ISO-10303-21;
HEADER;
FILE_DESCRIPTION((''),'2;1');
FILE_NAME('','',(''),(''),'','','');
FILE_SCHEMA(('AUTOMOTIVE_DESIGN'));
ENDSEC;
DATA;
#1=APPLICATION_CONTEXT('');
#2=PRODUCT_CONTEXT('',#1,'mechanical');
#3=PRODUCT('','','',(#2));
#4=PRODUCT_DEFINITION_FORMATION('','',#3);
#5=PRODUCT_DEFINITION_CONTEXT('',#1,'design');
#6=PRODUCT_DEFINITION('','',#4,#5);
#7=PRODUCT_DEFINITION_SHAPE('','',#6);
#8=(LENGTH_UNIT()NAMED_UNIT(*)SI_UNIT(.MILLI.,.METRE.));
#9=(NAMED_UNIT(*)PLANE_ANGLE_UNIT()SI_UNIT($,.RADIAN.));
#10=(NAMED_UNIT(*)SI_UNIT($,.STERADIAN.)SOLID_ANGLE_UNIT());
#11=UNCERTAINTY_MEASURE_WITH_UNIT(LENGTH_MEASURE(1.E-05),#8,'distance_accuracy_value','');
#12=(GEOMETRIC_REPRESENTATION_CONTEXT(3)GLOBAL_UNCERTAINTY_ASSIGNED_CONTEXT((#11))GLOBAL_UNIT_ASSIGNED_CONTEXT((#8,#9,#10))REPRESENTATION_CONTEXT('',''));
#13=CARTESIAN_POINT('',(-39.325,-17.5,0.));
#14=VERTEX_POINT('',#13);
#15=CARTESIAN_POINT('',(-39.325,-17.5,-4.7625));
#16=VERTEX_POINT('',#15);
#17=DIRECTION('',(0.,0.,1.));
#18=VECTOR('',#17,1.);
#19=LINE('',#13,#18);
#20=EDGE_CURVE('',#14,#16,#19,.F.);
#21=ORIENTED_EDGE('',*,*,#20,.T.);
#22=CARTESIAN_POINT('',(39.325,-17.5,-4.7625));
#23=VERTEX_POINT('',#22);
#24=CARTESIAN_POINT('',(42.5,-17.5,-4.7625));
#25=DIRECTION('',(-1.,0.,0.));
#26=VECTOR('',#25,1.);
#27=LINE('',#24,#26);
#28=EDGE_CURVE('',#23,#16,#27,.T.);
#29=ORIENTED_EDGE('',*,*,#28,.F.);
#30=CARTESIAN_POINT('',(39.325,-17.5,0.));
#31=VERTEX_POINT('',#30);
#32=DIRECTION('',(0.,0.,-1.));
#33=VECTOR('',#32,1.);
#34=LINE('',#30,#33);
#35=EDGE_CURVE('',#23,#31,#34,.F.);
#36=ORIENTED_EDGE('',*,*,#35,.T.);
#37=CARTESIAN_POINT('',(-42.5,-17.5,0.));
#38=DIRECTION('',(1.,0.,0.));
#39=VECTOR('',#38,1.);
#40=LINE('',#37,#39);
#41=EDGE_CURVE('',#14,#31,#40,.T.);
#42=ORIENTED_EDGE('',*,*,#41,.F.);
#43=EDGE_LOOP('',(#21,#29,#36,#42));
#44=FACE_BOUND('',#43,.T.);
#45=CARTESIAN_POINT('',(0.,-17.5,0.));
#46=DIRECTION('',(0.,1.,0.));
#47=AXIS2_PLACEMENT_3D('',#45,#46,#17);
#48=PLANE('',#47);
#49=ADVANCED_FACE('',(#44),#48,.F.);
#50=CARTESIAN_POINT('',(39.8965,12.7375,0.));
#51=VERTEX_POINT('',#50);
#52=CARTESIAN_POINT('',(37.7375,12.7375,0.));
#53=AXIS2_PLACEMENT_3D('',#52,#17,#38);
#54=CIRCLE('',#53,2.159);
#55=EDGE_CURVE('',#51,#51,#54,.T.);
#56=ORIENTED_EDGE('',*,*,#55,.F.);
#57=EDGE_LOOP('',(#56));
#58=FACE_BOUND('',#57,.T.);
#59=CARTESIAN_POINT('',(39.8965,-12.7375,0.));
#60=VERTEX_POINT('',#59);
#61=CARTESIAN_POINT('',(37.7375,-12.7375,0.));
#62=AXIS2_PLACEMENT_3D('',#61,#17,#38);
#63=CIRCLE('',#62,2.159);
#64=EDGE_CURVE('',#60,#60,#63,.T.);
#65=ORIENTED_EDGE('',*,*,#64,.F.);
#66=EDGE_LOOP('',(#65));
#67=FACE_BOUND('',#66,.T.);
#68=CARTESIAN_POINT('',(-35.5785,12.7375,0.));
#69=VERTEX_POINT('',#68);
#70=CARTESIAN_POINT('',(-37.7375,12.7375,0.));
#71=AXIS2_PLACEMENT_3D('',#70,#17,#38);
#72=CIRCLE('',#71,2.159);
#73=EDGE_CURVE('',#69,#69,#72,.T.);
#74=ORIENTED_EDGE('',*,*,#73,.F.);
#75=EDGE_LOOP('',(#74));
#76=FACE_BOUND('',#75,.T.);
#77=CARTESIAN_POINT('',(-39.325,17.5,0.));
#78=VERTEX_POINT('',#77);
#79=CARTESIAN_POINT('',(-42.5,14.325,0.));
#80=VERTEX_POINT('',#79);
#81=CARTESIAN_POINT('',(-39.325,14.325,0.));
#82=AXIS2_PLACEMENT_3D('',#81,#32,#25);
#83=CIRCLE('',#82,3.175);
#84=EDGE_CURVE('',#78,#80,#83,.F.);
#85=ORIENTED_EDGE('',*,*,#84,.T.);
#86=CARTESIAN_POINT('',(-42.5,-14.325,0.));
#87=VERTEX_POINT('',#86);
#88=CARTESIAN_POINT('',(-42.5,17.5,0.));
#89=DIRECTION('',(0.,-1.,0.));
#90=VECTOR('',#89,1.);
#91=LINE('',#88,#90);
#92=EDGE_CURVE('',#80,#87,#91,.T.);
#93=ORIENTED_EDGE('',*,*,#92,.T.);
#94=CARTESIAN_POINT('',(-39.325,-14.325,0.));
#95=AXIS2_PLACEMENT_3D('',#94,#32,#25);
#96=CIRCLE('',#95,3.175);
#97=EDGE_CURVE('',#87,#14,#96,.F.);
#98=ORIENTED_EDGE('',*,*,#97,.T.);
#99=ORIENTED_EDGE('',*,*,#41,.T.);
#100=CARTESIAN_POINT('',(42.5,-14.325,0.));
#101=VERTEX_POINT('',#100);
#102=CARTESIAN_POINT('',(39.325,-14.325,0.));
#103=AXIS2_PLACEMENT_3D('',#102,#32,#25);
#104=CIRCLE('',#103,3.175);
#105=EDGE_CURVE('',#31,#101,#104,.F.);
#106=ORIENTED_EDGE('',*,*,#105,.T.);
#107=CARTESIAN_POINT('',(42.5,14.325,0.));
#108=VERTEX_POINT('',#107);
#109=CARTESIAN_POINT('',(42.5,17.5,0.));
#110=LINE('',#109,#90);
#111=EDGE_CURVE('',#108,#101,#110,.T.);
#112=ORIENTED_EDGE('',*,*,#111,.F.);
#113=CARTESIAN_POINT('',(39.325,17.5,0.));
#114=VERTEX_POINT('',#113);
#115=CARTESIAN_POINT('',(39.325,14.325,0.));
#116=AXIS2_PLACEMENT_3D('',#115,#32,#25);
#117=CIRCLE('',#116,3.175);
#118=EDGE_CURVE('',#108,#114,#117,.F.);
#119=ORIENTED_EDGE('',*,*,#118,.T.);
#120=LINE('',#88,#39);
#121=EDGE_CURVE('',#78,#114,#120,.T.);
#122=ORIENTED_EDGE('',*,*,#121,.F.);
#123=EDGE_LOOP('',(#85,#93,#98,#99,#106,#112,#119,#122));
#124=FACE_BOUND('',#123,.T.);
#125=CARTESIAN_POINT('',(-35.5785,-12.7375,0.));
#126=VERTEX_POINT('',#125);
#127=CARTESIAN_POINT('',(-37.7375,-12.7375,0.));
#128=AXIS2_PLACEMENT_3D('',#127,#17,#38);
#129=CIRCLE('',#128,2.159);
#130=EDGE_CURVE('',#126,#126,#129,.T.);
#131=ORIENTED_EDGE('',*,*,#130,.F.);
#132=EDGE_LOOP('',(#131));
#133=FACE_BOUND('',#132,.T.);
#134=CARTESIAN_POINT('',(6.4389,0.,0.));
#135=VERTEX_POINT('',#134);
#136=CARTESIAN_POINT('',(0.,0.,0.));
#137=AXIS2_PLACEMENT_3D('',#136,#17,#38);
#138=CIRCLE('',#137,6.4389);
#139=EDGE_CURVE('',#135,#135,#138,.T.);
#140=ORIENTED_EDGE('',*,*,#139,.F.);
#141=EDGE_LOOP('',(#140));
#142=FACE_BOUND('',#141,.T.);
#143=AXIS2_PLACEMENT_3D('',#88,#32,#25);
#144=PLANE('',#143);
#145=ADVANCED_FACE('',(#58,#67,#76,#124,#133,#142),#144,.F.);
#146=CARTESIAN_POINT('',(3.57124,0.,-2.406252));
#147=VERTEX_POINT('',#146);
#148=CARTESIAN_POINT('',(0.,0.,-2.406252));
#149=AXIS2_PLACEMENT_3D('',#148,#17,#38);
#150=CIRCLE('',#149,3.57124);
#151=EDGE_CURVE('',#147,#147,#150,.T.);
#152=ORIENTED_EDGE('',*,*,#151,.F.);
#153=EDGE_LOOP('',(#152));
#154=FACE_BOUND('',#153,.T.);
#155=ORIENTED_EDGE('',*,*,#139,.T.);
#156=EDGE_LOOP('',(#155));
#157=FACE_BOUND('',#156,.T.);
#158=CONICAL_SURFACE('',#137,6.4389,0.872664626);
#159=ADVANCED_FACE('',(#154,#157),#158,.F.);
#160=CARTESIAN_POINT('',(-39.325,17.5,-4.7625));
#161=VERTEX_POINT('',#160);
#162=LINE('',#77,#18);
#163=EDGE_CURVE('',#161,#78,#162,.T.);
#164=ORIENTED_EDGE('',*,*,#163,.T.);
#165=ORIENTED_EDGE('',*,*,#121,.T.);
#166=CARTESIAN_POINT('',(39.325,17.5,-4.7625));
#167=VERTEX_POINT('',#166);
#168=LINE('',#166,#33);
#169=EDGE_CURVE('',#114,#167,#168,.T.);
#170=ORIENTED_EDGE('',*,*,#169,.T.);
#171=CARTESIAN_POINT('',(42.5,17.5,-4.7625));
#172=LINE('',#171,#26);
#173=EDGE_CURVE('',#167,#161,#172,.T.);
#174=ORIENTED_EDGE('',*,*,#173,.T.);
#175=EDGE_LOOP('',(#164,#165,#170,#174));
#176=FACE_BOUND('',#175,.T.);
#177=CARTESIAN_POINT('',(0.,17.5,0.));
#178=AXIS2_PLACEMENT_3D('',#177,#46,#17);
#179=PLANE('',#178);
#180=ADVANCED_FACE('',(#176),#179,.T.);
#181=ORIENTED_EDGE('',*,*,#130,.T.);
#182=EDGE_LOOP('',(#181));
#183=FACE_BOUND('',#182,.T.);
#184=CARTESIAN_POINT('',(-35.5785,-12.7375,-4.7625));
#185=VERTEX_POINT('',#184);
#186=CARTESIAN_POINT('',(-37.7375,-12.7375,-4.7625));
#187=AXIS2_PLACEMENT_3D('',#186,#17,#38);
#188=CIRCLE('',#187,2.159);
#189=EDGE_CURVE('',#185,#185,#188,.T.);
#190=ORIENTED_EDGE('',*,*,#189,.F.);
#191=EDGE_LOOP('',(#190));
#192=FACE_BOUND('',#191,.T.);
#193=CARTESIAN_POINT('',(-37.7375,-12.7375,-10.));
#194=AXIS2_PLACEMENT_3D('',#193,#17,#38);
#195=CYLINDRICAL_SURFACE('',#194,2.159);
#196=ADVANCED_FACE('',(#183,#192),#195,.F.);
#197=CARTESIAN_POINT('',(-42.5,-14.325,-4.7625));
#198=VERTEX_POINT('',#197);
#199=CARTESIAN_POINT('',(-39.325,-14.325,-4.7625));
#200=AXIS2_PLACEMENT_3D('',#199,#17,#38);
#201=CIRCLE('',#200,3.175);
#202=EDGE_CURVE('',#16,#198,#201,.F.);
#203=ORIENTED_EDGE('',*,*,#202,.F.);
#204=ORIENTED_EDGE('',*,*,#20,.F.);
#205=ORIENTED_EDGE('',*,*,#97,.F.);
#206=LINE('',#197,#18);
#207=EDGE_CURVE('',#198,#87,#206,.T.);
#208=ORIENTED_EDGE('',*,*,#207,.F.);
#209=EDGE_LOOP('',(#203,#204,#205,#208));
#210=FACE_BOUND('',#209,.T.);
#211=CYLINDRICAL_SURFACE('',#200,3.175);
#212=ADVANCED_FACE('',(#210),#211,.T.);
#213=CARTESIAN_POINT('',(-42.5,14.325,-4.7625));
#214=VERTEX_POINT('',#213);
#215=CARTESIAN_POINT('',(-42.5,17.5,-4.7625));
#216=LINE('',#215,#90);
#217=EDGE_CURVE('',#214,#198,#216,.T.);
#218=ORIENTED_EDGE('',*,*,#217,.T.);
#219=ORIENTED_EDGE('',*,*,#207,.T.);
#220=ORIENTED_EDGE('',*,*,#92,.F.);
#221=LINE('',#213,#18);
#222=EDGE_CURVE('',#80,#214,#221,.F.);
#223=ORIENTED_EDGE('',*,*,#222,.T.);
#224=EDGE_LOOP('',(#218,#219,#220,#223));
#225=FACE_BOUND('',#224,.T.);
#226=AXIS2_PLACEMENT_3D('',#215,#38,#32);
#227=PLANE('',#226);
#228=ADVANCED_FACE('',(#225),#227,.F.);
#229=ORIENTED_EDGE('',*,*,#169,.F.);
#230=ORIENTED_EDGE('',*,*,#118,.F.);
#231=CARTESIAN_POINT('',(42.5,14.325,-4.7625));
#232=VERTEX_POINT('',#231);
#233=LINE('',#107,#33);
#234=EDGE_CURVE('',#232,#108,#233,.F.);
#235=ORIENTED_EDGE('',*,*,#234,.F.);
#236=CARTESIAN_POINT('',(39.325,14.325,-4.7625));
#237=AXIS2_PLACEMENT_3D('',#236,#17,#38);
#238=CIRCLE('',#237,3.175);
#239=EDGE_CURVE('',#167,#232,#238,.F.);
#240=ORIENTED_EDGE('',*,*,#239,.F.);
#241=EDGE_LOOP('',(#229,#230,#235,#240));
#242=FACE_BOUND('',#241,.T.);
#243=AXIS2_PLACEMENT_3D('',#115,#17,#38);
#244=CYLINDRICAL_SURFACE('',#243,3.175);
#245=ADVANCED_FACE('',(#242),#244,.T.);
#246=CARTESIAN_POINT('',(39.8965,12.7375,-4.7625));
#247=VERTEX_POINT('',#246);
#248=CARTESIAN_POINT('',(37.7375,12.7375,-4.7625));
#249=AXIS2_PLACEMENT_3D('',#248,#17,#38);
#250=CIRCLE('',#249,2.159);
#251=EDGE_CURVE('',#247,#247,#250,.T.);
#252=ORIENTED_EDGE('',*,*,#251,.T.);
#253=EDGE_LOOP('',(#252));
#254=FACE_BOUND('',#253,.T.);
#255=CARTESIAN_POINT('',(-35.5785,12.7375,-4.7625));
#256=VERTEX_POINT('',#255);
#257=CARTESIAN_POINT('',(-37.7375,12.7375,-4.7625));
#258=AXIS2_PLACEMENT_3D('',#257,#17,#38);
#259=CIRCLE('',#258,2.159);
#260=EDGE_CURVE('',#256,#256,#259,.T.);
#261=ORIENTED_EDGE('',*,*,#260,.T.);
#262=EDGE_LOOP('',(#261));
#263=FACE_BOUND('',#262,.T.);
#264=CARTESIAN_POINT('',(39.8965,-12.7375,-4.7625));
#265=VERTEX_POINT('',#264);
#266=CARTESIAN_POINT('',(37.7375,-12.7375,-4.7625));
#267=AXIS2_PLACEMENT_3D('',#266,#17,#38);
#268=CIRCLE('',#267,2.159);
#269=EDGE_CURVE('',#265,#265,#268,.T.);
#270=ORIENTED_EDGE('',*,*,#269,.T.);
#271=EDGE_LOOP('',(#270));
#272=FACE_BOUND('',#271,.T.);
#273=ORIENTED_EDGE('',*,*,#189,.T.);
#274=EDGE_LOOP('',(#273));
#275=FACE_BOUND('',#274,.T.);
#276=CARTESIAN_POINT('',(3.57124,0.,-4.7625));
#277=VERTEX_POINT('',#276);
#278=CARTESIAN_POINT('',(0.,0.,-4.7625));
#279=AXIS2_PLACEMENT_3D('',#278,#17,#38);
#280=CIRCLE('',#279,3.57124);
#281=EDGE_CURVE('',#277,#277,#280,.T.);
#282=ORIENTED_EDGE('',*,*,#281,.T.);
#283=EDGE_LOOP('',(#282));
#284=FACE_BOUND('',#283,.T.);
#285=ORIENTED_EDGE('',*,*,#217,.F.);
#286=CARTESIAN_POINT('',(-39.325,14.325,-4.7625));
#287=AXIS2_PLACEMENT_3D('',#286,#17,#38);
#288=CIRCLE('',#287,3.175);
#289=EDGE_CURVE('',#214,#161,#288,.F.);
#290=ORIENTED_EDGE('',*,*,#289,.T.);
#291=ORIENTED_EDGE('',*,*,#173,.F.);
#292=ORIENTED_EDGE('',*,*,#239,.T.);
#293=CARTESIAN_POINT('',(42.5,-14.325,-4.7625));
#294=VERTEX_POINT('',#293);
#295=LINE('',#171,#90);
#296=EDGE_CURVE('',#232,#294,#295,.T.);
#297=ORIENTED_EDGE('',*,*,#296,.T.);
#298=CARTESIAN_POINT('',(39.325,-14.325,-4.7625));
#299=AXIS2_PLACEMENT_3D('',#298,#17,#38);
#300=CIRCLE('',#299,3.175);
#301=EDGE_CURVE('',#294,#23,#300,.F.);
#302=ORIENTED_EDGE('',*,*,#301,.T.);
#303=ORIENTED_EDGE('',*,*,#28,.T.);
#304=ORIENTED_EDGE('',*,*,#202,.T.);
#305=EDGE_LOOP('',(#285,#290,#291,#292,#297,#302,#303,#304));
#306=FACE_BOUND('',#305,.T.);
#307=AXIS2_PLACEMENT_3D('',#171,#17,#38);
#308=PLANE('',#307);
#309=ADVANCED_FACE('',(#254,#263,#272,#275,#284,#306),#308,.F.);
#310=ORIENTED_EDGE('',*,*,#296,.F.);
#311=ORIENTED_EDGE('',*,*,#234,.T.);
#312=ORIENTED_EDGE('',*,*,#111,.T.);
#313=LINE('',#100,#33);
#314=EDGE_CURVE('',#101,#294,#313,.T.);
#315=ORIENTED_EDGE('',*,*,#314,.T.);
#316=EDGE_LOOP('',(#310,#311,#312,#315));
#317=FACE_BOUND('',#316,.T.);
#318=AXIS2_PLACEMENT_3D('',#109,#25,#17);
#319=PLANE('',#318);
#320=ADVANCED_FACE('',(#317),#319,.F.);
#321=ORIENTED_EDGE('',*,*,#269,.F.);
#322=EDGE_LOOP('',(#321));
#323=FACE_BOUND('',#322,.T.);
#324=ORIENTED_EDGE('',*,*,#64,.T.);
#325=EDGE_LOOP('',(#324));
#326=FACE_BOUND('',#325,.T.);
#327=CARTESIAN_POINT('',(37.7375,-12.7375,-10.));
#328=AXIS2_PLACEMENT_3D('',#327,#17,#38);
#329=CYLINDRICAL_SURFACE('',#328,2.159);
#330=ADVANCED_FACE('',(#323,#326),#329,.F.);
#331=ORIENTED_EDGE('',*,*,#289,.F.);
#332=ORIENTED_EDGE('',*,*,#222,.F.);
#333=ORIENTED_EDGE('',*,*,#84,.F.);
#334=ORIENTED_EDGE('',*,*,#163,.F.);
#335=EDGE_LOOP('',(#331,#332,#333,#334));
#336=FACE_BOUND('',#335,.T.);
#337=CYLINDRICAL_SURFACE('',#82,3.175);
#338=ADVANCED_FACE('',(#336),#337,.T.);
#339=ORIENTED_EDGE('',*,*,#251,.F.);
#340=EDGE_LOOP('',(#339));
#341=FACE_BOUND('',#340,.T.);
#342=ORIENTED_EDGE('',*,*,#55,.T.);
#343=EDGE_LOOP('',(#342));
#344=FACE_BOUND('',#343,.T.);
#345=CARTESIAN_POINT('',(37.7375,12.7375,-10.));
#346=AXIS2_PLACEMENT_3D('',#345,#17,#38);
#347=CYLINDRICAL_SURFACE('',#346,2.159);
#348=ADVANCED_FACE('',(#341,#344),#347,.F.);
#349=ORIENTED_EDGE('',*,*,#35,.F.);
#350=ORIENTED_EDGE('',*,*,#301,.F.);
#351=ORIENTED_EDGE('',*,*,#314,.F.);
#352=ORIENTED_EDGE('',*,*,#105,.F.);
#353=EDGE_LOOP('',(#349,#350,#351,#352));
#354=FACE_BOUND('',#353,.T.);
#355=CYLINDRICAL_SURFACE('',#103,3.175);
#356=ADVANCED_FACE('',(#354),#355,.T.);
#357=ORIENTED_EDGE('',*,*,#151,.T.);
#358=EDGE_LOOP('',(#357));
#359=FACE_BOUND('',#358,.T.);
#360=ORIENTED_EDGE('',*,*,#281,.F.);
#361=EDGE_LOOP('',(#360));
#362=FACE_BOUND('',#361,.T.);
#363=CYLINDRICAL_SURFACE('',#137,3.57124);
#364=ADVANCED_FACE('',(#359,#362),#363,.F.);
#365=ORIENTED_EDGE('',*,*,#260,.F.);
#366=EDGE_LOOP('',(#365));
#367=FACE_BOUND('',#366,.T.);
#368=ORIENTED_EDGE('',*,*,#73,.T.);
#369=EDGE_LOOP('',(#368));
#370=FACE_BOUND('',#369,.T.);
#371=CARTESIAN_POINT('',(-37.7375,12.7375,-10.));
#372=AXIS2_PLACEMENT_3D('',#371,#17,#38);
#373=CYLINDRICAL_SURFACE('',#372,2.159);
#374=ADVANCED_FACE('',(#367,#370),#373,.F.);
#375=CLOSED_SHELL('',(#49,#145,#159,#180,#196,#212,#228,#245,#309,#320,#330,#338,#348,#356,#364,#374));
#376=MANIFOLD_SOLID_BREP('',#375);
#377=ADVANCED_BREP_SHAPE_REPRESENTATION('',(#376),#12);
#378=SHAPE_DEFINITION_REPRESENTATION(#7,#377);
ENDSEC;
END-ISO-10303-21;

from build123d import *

# Parameters (mm, degrees)
SKETCH1_W           = 85
SKETCH1_H           = 4.7625
BOSS_EXTRUDE1_DEPTH = 17.5
FILLET1_R           = 3.175
SKETCH3_R           = 2.159
CUT_EXTRUDE3_DEPTH  = 10


with BuildPart() as part:
    # Sketch1 → Boss-Extrude1 (new, symmetric)
    with BuildSketch(Plane(origin=(0, 0, 0), x_dir=(1, 0, 0), z_dir=(0, 1, 0))):
        with Locations((0, 2.38125)):
            Rectangle(SKETCH1_W, SKETCH1_H)
    extrude(amount=BOSS_EXTRUDE1_DEPTH, both=True)

    # Fillet1
    fillet1_edges = [part.edges().sort_by_distance(p)[0] for p in [
        (42.5, 17.5, -2.38125),
        (42.5, -17.5, -2.38125),
        (-42.5, -17.5, -2.38125),
        (-42.5, 17.5, -2.38125),
    ]]
    fillet(fillet1_edges, radius=FILLET1_R)

    # Sketch3 → Cut-Extrude3 (cut)
    with BuildSketch(Plane.XY):
        with Locations((-37.7375, 12.7375)):
            Circle(SKETCH3_R)
        with Locations((-37.7375, -12.7375)):
            Circle(SKETCH3_R)
        with Locations((37.7375, 12.7375)):
            Circle(SKETCH3_R)
        with Locations((37.7375, -12.7375)):
            Circle(SKETCH3_R)
    extrude(amount=-CUT_EXTRUDE3_DEPTH, mode=Mode.SUBTRACT)

    # Sketch9 → CSK for 1/4 Flat Head Machine Screw (100)1 (revolve, cut)
    with BuildSketch(Plane(origin=(0, 0, 0), x_dir=(0, -1, 0), z_dir=(1, 0, 0))):
        Polygon((0, 0), (0, 4.7625), (3.57124, 4.7625), (3.57124, 2.406252448), (6.4389, 0), align=None)
    revolve(axis=Axis((0, 0, 6.35), (0, 0, -1)), mode=Mode.SUBTRACT)


solid = part.part
